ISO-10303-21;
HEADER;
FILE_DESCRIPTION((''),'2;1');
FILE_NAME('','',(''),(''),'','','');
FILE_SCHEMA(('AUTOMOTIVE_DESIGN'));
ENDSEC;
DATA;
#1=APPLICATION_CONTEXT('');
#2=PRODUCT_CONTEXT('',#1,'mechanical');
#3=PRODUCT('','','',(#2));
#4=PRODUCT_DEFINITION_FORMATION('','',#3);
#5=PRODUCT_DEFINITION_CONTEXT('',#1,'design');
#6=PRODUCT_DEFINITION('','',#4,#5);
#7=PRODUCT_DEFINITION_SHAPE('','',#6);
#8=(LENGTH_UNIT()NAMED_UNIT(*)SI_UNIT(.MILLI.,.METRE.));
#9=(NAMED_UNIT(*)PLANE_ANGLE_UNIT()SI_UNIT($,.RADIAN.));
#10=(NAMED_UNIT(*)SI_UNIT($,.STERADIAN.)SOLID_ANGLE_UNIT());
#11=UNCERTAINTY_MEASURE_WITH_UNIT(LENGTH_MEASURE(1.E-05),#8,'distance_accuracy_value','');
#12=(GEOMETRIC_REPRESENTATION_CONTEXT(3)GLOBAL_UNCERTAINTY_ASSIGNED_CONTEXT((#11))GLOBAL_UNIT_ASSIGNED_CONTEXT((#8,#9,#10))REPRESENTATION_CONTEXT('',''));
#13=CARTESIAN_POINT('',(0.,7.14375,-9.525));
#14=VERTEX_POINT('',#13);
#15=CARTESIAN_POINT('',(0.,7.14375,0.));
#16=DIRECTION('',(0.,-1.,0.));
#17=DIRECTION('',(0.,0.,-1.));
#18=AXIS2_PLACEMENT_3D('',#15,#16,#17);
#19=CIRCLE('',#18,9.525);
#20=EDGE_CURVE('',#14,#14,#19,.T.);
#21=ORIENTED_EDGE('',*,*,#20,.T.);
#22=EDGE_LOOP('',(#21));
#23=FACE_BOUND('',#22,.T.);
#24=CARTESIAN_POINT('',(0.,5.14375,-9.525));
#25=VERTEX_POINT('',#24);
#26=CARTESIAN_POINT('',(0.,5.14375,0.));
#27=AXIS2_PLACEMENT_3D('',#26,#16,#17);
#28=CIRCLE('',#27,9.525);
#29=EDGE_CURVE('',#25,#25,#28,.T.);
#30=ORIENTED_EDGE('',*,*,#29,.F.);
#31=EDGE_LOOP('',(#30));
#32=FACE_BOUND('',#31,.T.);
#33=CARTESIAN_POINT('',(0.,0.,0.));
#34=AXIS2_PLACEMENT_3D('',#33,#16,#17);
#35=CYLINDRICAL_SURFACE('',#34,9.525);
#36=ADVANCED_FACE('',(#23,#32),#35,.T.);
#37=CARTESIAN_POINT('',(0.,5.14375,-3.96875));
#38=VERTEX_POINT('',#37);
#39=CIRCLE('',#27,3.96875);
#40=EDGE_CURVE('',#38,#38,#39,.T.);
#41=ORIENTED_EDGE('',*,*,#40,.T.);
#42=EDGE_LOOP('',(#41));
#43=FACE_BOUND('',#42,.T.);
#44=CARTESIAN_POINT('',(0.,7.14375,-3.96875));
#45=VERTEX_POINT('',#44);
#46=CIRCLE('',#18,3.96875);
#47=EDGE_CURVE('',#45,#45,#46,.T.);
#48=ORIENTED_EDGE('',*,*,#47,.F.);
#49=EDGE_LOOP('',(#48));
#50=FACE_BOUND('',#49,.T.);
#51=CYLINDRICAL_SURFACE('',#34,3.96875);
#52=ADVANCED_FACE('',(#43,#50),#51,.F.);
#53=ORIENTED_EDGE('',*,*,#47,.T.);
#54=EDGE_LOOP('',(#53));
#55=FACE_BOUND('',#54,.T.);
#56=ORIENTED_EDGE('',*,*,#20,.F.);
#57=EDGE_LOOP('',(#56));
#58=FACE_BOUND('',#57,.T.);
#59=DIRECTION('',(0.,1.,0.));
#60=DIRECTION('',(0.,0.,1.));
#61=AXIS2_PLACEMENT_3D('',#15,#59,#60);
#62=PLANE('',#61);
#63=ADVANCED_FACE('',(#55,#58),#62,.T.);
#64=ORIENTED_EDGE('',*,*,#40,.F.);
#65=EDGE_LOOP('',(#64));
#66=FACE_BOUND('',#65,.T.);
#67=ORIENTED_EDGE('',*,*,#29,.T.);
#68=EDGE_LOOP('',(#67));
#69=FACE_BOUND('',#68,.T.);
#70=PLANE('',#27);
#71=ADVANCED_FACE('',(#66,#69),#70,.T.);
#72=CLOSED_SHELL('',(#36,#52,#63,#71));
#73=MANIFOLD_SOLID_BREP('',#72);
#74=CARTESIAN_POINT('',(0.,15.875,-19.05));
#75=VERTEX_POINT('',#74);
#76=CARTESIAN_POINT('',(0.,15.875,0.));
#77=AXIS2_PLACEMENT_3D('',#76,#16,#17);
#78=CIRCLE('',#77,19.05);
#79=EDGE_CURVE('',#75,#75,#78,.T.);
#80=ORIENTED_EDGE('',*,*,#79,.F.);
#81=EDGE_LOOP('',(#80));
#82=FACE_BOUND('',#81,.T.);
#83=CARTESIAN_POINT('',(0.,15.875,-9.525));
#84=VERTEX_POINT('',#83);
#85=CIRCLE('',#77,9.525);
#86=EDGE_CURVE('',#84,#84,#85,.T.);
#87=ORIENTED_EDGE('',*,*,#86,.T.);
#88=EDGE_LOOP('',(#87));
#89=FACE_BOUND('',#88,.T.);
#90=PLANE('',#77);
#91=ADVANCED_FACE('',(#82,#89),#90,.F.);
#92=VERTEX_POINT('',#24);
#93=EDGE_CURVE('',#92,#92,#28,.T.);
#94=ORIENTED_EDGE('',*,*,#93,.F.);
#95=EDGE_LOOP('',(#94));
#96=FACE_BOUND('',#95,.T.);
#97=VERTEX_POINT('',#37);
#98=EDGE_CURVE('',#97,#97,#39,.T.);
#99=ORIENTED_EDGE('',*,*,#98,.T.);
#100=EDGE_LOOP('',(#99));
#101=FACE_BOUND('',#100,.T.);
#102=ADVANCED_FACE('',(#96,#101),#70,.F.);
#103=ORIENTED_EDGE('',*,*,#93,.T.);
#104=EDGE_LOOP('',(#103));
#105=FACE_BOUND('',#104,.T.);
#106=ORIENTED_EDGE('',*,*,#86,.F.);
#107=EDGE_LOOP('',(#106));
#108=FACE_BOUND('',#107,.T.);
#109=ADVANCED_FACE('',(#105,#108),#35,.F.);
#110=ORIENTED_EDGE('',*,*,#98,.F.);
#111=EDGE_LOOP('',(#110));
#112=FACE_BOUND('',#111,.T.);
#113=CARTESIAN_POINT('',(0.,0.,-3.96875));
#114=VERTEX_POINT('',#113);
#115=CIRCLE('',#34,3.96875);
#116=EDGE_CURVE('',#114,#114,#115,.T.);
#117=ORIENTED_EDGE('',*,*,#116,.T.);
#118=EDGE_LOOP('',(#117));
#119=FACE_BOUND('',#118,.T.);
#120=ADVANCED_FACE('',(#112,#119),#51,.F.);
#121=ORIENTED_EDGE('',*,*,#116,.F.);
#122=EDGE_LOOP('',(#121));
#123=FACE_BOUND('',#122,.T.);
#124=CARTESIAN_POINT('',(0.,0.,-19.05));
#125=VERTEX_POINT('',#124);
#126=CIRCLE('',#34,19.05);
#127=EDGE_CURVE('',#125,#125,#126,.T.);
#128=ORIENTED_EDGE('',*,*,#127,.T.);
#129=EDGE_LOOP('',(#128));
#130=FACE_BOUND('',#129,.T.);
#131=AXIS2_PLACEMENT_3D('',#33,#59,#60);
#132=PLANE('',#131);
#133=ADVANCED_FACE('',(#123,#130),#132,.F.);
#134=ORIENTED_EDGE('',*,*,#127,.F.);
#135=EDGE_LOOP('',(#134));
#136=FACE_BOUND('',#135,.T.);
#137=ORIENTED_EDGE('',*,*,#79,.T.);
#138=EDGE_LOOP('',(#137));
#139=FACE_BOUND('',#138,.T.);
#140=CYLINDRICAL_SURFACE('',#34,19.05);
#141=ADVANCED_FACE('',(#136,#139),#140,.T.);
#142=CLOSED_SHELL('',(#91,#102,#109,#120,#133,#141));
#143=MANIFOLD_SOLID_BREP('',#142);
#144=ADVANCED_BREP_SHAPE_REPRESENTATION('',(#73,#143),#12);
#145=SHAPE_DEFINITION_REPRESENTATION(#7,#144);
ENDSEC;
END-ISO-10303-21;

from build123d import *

# Parameters (mm, degrees)
SKETCH1_4_W = 5.55625
SKETCH1_4_H = 2


with BuildPart() as part:
    # Sketch1 → Revolve1 (revolve)
    with BuildSketch(Plane.XY):
        Polygon((3.96875, 5.14375), (3.96875, 0), (19.05, 0), (19.05, 15.875), (9.525, 15.875), (9.525, 7.14375), (9.525, 5.14375), align=None)
    revolve(axis=Axis((0, 0, 0), (0, 1, 0)))


with BuildPart() as body_2:
    # Sketch1<4> → Revolve2 (revolve)
    with BuildSketch(Plane.XY):
        with Locations((6.746875, 6.14375)):
            Rectangle(SKETCH1_4_W, SKETCH1_4_H)
    revolve(axis=Axis((0, 0, 0), (0, 1, 0)))


solid = Compound([part.part, body_2.part])
